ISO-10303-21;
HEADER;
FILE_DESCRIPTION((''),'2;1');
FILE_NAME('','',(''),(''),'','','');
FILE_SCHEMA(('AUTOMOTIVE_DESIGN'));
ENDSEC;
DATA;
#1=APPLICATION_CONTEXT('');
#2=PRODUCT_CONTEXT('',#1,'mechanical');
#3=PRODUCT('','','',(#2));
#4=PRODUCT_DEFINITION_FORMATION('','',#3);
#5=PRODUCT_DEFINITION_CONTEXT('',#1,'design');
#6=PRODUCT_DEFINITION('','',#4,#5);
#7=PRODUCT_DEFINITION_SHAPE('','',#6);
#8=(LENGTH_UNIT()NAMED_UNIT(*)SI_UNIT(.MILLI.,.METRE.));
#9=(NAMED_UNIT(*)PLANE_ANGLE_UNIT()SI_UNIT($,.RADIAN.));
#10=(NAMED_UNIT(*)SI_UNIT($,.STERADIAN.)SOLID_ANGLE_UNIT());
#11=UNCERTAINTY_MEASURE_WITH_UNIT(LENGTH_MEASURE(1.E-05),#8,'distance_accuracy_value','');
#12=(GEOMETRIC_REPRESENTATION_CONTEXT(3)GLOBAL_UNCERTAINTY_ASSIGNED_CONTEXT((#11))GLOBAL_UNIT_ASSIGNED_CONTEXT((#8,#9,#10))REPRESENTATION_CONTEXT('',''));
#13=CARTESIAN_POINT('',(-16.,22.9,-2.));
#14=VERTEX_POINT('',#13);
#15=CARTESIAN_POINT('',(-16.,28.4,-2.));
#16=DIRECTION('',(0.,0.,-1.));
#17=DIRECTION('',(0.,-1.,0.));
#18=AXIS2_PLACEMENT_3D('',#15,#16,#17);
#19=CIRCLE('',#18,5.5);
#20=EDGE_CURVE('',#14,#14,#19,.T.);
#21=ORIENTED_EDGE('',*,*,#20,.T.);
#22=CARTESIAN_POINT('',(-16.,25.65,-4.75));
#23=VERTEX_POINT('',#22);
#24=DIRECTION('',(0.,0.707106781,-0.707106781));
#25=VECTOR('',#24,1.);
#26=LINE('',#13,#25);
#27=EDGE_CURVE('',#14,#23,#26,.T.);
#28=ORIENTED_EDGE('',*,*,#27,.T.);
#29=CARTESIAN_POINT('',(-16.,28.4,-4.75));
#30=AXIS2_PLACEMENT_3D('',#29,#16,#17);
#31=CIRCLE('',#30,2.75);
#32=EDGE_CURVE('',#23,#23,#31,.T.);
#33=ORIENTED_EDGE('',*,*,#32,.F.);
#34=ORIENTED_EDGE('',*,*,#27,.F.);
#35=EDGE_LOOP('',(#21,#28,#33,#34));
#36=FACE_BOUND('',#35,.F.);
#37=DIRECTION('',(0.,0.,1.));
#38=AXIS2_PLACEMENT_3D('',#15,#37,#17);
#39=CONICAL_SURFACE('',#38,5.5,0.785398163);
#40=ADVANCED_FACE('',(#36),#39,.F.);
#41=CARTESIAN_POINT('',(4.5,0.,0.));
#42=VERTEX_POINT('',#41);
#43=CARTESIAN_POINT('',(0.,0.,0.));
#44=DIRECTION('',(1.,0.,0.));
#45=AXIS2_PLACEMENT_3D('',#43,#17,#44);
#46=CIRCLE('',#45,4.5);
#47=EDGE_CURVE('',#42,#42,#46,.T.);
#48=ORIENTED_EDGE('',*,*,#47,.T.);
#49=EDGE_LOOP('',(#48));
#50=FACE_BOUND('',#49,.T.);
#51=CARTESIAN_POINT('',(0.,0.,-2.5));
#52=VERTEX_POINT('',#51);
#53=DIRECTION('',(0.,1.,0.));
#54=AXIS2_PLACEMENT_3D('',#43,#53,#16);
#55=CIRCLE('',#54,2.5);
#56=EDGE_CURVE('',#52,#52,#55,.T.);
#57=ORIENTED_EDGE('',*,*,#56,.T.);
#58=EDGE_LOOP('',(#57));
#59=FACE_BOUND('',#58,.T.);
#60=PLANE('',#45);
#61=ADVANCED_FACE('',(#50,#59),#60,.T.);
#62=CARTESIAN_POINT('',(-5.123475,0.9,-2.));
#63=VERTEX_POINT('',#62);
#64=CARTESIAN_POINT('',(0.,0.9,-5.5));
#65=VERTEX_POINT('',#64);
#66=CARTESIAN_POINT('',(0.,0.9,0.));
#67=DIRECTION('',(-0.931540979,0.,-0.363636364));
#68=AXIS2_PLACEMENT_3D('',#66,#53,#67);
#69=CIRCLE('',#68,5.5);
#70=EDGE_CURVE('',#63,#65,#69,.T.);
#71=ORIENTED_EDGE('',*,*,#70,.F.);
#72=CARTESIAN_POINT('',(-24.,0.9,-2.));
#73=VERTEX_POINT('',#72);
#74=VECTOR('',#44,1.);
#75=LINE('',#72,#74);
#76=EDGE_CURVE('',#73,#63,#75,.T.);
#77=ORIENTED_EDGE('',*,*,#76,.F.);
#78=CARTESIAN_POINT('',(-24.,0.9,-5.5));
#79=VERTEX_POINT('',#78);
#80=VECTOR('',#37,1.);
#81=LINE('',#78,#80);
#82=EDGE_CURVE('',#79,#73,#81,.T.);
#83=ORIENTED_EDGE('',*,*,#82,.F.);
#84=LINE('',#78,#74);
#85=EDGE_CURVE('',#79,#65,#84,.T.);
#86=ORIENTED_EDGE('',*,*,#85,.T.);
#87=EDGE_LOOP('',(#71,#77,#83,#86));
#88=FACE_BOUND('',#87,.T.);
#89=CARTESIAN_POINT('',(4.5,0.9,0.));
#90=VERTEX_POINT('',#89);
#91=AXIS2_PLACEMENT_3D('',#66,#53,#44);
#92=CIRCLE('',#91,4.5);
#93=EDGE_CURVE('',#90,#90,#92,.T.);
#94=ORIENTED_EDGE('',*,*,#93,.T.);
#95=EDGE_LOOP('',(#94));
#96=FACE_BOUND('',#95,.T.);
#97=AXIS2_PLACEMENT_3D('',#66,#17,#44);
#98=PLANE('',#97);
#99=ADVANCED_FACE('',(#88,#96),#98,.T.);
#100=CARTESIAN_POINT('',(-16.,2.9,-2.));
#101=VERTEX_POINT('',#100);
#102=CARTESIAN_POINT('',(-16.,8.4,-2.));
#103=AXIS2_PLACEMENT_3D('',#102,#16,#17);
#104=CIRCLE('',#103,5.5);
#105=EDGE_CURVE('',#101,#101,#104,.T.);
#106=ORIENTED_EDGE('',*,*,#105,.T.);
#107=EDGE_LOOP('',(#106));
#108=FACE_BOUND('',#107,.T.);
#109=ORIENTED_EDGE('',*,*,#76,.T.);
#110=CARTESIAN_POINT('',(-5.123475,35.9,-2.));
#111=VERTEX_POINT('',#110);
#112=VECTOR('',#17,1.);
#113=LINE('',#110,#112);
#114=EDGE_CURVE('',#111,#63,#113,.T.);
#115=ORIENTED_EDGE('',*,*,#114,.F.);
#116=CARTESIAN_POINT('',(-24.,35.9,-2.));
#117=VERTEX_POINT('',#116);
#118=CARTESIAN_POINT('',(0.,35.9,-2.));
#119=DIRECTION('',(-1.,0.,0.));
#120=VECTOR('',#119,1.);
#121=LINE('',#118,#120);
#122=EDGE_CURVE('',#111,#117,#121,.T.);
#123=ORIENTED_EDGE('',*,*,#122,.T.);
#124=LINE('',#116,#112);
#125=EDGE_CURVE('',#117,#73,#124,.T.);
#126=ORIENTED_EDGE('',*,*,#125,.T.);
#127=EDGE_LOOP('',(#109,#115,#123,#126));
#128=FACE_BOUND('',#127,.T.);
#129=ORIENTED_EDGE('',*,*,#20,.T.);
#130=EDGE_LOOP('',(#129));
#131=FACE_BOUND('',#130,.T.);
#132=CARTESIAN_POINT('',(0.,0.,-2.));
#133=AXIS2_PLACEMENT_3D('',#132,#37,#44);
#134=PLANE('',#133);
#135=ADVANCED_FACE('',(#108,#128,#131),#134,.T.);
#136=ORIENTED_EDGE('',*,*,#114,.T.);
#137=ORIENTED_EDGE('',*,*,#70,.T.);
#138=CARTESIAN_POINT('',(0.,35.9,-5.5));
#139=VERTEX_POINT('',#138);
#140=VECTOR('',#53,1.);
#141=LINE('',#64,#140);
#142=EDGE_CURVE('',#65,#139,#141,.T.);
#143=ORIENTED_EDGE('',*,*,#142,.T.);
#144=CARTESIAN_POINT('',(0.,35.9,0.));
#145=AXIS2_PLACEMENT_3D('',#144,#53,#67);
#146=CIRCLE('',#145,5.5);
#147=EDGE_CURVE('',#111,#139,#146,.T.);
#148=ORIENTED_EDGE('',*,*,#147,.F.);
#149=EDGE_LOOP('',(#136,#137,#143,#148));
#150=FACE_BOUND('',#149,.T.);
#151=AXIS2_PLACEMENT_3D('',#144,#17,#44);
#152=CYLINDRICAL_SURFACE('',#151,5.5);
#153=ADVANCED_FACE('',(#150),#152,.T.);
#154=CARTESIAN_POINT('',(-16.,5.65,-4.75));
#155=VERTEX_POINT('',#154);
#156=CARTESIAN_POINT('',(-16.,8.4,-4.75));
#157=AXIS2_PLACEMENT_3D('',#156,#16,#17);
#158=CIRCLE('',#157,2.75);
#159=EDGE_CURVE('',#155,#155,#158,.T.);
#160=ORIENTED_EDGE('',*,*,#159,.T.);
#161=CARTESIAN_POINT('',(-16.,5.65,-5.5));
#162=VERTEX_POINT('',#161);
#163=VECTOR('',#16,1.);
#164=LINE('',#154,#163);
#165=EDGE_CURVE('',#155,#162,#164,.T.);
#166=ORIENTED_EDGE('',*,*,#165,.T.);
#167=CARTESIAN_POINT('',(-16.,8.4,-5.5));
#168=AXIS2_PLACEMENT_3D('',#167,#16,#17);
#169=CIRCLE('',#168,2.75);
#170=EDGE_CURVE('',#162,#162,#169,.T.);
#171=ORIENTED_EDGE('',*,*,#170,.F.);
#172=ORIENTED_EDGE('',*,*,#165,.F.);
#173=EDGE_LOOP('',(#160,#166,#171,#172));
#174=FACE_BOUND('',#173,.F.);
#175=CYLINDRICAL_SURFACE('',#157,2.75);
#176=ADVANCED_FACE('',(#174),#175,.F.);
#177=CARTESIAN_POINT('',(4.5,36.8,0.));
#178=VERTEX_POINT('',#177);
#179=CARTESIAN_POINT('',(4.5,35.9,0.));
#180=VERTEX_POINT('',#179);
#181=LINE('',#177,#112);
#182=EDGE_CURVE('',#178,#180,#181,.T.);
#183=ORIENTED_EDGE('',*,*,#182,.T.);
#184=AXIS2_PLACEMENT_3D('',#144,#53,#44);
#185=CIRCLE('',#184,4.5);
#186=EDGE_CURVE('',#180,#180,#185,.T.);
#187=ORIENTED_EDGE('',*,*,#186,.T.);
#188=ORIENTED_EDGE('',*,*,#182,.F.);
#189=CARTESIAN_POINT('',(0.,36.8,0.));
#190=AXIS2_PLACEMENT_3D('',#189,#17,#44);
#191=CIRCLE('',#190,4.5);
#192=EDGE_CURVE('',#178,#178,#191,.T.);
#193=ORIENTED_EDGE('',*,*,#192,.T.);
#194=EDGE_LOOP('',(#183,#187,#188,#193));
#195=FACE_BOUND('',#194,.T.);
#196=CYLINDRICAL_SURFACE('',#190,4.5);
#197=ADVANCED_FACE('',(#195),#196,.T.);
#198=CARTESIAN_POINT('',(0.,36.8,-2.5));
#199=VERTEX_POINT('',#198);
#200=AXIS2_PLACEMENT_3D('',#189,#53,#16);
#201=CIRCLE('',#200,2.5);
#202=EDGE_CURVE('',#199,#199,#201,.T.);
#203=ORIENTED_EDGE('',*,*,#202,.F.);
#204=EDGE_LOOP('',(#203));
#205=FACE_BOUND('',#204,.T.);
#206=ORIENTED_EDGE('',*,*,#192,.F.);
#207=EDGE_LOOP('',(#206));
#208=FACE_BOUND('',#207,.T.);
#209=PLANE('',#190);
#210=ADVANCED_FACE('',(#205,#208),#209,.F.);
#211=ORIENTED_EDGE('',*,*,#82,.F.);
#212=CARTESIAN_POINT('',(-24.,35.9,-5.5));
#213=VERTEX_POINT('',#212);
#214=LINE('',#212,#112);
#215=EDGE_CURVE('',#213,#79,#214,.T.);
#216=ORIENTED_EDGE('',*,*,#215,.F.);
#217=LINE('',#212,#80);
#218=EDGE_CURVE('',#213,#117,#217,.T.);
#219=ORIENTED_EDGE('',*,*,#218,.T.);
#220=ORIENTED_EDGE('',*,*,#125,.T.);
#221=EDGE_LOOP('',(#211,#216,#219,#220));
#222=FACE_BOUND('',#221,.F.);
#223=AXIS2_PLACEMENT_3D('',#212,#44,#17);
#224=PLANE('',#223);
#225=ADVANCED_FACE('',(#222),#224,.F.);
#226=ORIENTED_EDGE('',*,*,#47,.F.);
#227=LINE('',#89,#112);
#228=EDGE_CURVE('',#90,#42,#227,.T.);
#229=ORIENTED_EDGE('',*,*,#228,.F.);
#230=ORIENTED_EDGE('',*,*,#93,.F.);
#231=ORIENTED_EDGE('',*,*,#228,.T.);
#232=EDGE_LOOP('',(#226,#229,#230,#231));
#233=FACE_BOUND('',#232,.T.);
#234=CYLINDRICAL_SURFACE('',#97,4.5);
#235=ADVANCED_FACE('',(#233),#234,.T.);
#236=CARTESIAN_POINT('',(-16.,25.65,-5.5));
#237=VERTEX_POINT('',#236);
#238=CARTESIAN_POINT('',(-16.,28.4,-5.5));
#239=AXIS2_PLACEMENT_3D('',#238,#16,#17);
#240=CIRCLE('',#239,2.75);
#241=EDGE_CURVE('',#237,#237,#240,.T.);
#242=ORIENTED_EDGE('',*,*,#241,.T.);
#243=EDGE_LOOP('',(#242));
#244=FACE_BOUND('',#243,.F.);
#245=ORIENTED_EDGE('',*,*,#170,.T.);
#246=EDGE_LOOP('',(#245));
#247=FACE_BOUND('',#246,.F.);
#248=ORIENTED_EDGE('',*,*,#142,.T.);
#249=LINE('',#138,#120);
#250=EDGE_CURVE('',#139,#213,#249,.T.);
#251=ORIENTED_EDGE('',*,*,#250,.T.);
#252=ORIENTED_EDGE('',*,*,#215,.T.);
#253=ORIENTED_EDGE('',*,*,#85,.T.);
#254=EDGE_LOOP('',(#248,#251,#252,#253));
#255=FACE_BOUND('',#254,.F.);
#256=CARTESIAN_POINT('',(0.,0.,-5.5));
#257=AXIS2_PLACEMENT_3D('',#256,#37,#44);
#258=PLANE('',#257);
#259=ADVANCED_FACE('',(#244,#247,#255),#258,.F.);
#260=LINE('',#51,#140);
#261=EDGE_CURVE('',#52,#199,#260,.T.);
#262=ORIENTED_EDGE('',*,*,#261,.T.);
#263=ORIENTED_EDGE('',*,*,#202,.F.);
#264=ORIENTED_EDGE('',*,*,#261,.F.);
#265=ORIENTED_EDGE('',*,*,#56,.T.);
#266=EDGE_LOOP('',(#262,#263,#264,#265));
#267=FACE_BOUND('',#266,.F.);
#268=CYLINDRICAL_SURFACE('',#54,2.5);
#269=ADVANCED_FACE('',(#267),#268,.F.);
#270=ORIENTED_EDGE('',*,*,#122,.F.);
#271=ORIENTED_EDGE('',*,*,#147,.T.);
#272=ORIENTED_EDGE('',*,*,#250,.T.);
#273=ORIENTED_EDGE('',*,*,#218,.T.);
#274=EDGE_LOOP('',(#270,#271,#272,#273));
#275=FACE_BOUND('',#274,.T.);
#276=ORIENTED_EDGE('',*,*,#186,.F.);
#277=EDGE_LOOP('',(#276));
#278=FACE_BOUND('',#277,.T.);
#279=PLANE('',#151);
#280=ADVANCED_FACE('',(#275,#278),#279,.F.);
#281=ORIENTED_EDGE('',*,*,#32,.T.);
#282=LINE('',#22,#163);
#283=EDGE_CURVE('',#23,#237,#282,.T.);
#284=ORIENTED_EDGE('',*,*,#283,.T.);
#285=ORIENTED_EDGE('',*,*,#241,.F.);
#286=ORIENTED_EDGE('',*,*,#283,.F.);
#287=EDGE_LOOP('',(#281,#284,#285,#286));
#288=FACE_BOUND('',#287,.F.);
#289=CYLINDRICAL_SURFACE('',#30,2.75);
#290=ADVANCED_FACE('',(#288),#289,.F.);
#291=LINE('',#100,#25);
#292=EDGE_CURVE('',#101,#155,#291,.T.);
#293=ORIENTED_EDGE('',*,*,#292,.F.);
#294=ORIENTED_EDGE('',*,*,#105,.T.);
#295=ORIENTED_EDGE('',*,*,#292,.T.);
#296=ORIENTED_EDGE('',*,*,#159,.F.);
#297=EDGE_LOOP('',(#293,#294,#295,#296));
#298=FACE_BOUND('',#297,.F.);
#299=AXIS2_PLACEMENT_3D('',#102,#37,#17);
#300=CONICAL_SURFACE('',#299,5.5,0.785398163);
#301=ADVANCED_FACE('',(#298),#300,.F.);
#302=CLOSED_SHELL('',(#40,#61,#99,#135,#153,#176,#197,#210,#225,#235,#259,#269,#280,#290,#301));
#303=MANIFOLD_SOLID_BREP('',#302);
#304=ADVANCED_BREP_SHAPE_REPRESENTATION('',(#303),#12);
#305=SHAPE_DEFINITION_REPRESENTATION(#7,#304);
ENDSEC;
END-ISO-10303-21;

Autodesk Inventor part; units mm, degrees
sketch "Sketch_1" plane through (0, 0, 0) normal (0, 0, 1) x (1, 0, 0)
  line L0 (0, 0) -> (0, 36.8)
  line L1 (0, 36.8) -> (4.5, 36.8)
  line L2 (4.5, 36.8) -> (4.5, 35.9)
  line L3 (4.5, 35.9) -> (5.5, 35.9)
  line L4 (5.5, 35.9) -> (5.5, 0.9)
  line L5 (5.5, 0.9) -> (4.5, 0.9)
  line L6 (4.5, 0.9) -> (4.5, 0)
  line L7 (4.5, 0) -> (0, 0)
  line L8 (0, 0) -> (0, 36.8)
revolve "Revolution1" add sketch "Sketch_1" angle 360 about axis through (0, 0, 0) along (0, -1, 0)
sketch "Sketch_2" plane through (0, 0, -5.5) normal (0, 0, 1) x (1, 0, 0)
  line L0 (-24, 35.9) -> (-24, 0.9)
  line L1 (-24, 0.9) -> (0, 0.9)
  line L2 (0, 0.9) -> (0, 35.9)
  line L3 (0, 35.9) -> (-24, 35.9)
extrude "Extrusion1" add sketch "Sketch_2" along normal blind 3.5
sketch "Sketch3" plane through (0, 0, -2) normal (0, 0, 1) x (1, 0, 0)
  point P0 (-16, 8.4)
hole "Hole1" at (-16, 8.4, -2) direction (0, 0, -1) diameter 5.5 depth 3.5 countersink diameter 11 countersink angle 90
sketch "Sketch4" plane through (0, 0, -2) normal (0, 0, 1) x (1, 0, 0)
  point P0 (-16, 28.4)
hole "Hole2" at (-16, 28.4, -2) direction (0, 0, -1) diameter 5.5 depth 3.5 countersink diameter 11 countersink angle 90
sketch "Sketch5" plane through (0, 0, 0) normal (0, -1, 0) x (1, 0, 0)
  point P0 (0, 0)
hole "Hole3" at (0, 0, 0) direction (0, 1, 0) diameter 5 depth 36.8
ref_plane "2_XY" through (0, 0, 0) normal (0, 1, 0) x (1, 0, 0)
ref_plane "2_YZ" through (0, 0, 0) normal (1, 0, 0) x (0, 0, -1)
ref_plane "2_ZX" through (0, 0, 0) normal (0, 0, -1) x (0, 1, 0)
ref_plane "to_bolt3_XY" through (-16, 28.4, -2) normal (0, 0, 1) x (1, 0, 0)
ref_plane "to_bolt3_YZ" through (-16, 28.4, -2) normal (1, 0, 0) x (0, 1, 0)
ref_plane "to_bolt3_ZX" through (-16, 28.4, -2) normal (0, 1, 0) x (0, 0, 1)
ref_plane "to_bolt3_r_XY" through (16, 28.4, -2) normal (0, 0, 1) x (1, 0, 0)
ref_plane "to_bolt3_r_YZ" through (16, 28.4, -2) normal (1, 0, 0) x (0, 1, 0)
ref_plane "to_bolt3_r_ZX" through (16, 28.4, -2) normal (0, 1, 0) x (0, 0, 1)
ref_plane "to_bolt4_XY" through (-16, 8.4, -2) normal (0, 0, 1) x (1, 0, 0)
ref_plane "to_bolt4_YZ" through (-16, 8.4, -2) normal (1, 0, 0) x (0, 1, 0)
ref_plane "to_bolt4_ZX" through (-16, 8.4, -2) normal (0, 1, 0) x (0, 0, 1)
ref_plane "to_bolt4_r_XY" through (16, 8.4, -2) normal (0, 0, 1) x (1, 0, 0)
ref_plane "to_bolt4_r_YZ" through (16, 8.4, -2) normal (1, 0, 0) x (0, 1, 0)
ref_plane "to_bolt4_r_ZX" through (16, 8.4, -2) normal (0, 1, 0) x (0, 0, 1)
properties part number "HHPFLN5-2"
